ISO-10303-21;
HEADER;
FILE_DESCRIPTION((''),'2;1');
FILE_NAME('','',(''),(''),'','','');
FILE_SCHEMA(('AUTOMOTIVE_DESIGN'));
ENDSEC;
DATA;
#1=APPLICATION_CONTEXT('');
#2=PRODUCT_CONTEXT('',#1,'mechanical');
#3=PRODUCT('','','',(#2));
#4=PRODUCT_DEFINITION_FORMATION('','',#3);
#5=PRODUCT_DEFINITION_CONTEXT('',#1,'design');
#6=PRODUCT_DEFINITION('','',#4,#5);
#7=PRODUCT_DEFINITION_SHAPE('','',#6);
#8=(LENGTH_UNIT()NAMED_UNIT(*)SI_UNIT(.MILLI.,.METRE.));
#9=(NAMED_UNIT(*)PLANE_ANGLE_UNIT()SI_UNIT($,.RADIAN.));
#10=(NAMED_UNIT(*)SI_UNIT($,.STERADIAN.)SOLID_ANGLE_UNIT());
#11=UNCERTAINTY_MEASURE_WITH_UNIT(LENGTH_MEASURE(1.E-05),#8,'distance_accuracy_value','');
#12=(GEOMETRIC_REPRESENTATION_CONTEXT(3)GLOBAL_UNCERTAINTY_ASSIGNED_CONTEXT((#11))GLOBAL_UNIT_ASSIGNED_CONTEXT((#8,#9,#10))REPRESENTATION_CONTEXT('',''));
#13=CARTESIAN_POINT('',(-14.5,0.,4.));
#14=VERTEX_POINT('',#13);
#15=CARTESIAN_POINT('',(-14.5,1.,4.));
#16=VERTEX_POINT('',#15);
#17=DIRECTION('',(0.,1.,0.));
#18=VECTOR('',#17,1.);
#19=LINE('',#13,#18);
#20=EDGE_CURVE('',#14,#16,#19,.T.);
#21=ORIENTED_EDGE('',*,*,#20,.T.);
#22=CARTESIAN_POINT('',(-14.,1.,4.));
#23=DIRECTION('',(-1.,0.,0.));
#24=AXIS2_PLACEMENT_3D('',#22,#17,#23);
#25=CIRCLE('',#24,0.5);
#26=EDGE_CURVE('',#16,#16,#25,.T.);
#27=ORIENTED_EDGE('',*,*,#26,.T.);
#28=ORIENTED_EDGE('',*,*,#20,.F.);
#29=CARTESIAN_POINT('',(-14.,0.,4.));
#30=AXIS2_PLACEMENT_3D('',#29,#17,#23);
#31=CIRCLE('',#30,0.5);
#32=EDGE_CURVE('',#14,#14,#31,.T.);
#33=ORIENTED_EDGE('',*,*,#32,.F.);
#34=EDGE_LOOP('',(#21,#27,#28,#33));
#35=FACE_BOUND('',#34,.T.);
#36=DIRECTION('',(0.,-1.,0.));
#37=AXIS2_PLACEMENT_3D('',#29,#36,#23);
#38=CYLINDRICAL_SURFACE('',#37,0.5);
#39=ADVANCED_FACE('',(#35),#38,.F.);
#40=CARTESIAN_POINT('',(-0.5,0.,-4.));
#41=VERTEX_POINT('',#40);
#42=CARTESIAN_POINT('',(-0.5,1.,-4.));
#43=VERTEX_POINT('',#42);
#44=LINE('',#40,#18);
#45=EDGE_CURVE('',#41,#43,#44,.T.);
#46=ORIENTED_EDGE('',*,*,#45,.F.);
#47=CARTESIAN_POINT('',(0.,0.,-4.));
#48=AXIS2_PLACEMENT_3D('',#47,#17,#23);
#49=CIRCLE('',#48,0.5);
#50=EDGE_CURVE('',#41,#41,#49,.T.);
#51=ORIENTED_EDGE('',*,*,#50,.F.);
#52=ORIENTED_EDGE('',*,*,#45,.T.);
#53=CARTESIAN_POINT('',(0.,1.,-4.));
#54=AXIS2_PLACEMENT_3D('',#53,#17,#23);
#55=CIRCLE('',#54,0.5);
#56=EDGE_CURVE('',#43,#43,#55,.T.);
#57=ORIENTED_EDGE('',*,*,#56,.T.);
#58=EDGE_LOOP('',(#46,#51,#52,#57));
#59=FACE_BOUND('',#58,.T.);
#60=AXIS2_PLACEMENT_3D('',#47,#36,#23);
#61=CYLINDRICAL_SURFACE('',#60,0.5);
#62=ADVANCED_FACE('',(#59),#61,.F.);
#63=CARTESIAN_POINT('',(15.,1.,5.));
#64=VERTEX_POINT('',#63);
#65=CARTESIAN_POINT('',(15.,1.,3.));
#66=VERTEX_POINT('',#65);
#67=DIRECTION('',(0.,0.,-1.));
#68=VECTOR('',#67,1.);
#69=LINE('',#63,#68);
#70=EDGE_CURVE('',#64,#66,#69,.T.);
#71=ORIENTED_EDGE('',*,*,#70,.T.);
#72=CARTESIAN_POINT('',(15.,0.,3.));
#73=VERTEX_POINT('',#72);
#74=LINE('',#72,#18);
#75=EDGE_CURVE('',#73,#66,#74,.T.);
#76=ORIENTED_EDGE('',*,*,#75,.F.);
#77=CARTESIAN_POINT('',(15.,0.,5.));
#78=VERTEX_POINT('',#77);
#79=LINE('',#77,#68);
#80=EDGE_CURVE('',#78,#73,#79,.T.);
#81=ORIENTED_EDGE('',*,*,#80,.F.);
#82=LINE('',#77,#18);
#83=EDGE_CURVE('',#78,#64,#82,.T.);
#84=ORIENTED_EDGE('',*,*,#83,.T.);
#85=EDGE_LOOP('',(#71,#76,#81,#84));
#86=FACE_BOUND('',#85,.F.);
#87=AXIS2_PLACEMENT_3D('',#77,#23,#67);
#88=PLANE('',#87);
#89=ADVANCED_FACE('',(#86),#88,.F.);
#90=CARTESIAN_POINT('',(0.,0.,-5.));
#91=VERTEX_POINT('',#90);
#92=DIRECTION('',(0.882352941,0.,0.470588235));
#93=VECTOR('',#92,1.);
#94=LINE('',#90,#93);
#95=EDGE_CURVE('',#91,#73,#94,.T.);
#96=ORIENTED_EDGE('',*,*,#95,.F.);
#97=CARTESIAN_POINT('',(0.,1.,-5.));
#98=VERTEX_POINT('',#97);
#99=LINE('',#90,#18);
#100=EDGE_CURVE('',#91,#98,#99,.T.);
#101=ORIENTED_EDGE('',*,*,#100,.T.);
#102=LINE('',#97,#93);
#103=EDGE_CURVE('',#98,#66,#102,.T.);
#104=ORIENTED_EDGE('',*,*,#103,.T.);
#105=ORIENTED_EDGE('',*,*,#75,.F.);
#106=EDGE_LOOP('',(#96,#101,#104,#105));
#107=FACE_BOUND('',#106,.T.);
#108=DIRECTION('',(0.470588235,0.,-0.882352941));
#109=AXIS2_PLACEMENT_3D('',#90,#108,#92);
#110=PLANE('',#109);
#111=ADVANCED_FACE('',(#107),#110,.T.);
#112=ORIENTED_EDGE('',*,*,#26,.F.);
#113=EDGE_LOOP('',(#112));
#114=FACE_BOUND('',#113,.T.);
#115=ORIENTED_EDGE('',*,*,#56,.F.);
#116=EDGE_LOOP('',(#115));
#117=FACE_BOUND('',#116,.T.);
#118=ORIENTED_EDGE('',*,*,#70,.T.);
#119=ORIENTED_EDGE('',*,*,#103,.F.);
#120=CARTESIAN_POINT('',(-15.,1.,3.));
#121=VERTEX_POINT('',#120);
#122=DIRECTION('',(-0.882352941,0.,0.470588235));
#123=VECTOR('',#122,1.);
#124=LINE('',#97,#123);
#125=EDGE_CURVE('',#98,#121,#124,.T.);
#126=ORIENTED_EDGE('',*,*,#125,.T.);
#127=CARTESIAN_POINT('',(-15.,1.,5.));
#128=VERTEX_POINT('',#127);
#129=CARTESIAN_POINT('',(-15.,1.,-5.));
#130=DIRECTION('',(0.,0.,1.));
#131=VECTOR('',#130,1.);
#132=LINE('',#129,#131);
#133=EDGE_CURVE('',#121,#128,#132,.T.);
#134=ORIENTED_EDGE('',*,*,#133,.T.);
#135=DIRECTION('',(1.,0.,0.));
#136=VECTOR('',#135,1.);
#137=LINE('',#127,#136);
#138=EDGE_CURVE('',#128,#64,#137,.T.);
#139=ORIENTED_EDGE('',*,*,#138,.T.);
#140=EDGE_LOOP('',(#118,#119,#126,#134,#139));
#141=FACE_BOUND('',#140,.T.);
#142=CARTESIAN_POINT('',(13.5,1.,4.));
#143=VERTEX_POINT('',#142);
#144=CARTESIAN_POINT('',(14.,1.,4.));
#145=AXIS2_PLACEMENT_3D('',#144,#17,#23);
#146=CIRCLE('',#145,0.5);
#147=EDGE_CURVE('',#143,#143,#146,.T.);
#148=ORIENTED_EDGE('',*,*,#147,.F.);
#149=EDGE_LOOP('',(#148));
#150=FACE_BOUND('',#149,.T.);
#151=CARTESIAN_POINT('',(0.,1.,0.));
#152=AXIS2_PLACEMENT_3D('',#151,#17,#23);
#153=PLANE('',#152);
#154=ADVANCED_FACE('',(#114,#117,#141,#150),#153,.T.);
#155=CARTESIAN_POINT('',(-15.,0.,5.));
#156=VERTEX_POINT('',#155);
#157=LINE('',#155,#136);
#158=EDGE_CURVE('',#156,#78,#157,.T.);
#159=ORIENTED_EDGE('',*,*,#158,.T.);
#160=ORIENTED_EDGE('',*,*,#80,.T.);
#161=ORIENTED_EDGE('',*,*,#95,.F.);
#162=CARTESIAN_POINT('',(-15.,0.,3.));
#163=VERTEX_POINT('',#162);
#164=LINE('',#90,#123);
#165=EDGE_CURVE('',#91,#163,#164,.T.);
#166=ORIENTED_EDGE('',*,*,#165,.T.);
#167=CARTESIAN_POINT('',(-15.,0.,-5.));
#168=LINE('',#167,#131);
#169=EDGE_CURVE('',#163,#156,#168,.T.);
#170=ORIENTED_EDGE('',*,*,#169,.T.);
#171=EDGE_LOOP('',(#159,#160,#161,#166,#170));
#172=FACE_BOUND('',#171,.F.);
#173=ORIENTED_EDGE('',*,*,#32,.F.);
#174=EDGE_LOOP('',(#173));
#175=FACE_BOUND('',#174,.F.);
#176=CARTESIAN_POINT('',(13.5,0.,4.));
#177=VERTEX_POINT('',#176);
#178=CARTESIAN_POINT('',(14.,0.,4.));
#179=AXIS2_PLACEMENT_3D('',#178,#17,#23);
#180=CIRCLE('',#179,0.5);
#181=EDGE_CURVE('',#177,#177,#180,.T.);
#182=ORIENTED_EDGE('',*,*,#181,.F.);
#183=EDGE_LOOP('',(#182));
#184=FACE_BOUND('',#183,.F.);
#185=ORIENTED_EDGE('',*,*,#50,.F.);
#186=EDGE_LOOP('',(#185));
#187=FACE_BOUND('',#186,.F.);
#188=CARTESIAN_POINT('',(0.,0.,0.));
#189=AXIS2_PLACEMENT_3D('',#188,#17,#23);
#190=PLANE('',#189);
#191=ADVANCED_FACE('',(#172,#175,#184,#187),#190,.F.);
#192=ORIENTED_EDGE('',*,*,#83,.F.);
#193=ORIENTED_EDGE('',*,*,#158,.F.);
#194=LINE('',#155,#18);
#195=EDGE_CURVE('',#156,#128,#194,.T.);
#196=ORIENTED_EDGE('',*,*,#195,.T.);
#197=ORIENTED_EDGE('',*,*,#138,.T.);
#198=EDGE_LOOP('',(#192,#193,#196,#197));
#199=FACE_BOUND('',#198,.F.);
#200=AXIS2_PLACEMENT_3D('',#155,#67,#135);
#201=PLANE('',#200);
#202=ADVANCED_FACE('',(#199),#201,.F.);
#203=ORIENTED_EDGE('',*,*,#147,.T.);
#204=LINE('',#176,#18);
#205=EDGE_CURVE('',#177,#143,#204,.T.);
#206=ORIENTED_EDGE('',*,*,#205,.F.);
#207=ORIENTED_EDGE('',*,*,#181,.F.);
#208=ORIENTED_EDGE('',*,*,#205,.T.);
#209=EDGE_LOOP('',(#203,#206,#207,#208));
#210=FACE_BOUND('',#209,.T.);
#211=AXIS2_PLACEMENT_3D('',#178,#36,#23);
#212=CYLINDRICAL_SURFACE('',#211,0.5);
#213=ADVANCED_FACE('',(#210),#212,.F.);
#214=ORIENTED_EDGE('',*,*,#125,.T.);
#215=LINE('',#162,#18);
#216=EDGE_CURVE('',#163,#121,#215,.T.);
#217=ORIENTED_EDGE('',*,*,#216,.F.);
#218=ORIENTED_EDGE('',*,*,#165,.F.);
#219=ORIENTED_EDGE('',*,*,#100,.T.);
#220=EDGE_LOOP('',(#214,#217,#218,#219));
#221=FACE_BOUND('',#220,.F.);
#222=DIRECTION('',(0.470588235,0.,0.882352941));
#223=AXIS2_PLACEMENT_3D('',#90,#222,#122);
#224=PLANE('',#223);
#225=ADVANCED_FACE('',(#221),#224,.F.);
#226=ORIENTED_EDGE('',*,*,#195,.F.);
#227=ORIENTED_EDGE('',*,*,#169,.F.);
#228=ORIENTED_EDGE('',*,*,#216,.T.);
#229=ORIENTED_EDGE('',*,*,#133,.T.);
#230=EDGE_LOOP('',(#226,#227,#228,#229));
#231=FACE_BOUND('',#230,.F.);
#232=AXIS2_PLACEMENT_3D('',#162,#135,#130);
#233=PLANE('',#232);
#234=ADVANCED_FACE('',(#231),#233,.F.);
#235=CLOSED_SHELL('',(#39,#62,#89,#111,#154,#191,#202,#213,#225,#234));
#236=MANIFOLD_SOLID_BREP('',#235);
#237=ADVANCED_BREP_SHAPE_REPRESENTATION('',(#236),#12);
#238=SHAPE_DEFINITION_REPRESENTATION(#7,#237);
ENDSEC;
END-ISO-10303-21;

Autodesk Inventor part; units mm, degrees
ref_plane "YZ Plane" through (0, 0, 0) normal (1, 0, 0) x (0, 1, 0)
ref_plane "XZ Plane" through (0, 0, 0) normal (0, 1, 0) x (-1, 0, 0)
ref_plane "XY Plane" through (0, 0, 0) normal (0, 0, 1) x (1, 0, 0)
sketch "Sketch1" plane through (0, 0, 0) normal (0, 1, 0) x (-1, 0, 0)
  line L0 (15, 5) -> (-15, 5)
  line L1 (-15, 5) -> (-15, -5)
  line L2 (-15, -5) -> (15, -5)
  line L3 (15, -5) -> (15, 5)
  line L4 (15, 5) -> (-15, -5) construction
  line L5 (-15, 5) -> (15, -5) construction
  circle A0 centre (0, -4) radius 0.5
  line L6 (0, -5) -> (-15, 3)
  line L7 (0, -5) -> (15, 3)
  circle A1 centre (-14, 4) radius 0.5
  circle A2 centre (14, 4) radius 0.5
  point P0 (0, 0)
  dimension "d0" = 30
  dimension "d1" = 10
  dimension "d2" = 1
  dimension "d3" = 1
  dimension "d4" = 2
  dimension "d5" = 2
  dimension "d6" = 1
  dimension "d7" = 1
  dimension "d8" = 1
  dimension "d9" = 1
  dimension "d10" = 1
  dimension "d11" = 1
extrude "Extrusion1" add sketch "Sketch1" along normal blind 1 contours L3 L7 L6 L1 L0
properties part number "bar"
